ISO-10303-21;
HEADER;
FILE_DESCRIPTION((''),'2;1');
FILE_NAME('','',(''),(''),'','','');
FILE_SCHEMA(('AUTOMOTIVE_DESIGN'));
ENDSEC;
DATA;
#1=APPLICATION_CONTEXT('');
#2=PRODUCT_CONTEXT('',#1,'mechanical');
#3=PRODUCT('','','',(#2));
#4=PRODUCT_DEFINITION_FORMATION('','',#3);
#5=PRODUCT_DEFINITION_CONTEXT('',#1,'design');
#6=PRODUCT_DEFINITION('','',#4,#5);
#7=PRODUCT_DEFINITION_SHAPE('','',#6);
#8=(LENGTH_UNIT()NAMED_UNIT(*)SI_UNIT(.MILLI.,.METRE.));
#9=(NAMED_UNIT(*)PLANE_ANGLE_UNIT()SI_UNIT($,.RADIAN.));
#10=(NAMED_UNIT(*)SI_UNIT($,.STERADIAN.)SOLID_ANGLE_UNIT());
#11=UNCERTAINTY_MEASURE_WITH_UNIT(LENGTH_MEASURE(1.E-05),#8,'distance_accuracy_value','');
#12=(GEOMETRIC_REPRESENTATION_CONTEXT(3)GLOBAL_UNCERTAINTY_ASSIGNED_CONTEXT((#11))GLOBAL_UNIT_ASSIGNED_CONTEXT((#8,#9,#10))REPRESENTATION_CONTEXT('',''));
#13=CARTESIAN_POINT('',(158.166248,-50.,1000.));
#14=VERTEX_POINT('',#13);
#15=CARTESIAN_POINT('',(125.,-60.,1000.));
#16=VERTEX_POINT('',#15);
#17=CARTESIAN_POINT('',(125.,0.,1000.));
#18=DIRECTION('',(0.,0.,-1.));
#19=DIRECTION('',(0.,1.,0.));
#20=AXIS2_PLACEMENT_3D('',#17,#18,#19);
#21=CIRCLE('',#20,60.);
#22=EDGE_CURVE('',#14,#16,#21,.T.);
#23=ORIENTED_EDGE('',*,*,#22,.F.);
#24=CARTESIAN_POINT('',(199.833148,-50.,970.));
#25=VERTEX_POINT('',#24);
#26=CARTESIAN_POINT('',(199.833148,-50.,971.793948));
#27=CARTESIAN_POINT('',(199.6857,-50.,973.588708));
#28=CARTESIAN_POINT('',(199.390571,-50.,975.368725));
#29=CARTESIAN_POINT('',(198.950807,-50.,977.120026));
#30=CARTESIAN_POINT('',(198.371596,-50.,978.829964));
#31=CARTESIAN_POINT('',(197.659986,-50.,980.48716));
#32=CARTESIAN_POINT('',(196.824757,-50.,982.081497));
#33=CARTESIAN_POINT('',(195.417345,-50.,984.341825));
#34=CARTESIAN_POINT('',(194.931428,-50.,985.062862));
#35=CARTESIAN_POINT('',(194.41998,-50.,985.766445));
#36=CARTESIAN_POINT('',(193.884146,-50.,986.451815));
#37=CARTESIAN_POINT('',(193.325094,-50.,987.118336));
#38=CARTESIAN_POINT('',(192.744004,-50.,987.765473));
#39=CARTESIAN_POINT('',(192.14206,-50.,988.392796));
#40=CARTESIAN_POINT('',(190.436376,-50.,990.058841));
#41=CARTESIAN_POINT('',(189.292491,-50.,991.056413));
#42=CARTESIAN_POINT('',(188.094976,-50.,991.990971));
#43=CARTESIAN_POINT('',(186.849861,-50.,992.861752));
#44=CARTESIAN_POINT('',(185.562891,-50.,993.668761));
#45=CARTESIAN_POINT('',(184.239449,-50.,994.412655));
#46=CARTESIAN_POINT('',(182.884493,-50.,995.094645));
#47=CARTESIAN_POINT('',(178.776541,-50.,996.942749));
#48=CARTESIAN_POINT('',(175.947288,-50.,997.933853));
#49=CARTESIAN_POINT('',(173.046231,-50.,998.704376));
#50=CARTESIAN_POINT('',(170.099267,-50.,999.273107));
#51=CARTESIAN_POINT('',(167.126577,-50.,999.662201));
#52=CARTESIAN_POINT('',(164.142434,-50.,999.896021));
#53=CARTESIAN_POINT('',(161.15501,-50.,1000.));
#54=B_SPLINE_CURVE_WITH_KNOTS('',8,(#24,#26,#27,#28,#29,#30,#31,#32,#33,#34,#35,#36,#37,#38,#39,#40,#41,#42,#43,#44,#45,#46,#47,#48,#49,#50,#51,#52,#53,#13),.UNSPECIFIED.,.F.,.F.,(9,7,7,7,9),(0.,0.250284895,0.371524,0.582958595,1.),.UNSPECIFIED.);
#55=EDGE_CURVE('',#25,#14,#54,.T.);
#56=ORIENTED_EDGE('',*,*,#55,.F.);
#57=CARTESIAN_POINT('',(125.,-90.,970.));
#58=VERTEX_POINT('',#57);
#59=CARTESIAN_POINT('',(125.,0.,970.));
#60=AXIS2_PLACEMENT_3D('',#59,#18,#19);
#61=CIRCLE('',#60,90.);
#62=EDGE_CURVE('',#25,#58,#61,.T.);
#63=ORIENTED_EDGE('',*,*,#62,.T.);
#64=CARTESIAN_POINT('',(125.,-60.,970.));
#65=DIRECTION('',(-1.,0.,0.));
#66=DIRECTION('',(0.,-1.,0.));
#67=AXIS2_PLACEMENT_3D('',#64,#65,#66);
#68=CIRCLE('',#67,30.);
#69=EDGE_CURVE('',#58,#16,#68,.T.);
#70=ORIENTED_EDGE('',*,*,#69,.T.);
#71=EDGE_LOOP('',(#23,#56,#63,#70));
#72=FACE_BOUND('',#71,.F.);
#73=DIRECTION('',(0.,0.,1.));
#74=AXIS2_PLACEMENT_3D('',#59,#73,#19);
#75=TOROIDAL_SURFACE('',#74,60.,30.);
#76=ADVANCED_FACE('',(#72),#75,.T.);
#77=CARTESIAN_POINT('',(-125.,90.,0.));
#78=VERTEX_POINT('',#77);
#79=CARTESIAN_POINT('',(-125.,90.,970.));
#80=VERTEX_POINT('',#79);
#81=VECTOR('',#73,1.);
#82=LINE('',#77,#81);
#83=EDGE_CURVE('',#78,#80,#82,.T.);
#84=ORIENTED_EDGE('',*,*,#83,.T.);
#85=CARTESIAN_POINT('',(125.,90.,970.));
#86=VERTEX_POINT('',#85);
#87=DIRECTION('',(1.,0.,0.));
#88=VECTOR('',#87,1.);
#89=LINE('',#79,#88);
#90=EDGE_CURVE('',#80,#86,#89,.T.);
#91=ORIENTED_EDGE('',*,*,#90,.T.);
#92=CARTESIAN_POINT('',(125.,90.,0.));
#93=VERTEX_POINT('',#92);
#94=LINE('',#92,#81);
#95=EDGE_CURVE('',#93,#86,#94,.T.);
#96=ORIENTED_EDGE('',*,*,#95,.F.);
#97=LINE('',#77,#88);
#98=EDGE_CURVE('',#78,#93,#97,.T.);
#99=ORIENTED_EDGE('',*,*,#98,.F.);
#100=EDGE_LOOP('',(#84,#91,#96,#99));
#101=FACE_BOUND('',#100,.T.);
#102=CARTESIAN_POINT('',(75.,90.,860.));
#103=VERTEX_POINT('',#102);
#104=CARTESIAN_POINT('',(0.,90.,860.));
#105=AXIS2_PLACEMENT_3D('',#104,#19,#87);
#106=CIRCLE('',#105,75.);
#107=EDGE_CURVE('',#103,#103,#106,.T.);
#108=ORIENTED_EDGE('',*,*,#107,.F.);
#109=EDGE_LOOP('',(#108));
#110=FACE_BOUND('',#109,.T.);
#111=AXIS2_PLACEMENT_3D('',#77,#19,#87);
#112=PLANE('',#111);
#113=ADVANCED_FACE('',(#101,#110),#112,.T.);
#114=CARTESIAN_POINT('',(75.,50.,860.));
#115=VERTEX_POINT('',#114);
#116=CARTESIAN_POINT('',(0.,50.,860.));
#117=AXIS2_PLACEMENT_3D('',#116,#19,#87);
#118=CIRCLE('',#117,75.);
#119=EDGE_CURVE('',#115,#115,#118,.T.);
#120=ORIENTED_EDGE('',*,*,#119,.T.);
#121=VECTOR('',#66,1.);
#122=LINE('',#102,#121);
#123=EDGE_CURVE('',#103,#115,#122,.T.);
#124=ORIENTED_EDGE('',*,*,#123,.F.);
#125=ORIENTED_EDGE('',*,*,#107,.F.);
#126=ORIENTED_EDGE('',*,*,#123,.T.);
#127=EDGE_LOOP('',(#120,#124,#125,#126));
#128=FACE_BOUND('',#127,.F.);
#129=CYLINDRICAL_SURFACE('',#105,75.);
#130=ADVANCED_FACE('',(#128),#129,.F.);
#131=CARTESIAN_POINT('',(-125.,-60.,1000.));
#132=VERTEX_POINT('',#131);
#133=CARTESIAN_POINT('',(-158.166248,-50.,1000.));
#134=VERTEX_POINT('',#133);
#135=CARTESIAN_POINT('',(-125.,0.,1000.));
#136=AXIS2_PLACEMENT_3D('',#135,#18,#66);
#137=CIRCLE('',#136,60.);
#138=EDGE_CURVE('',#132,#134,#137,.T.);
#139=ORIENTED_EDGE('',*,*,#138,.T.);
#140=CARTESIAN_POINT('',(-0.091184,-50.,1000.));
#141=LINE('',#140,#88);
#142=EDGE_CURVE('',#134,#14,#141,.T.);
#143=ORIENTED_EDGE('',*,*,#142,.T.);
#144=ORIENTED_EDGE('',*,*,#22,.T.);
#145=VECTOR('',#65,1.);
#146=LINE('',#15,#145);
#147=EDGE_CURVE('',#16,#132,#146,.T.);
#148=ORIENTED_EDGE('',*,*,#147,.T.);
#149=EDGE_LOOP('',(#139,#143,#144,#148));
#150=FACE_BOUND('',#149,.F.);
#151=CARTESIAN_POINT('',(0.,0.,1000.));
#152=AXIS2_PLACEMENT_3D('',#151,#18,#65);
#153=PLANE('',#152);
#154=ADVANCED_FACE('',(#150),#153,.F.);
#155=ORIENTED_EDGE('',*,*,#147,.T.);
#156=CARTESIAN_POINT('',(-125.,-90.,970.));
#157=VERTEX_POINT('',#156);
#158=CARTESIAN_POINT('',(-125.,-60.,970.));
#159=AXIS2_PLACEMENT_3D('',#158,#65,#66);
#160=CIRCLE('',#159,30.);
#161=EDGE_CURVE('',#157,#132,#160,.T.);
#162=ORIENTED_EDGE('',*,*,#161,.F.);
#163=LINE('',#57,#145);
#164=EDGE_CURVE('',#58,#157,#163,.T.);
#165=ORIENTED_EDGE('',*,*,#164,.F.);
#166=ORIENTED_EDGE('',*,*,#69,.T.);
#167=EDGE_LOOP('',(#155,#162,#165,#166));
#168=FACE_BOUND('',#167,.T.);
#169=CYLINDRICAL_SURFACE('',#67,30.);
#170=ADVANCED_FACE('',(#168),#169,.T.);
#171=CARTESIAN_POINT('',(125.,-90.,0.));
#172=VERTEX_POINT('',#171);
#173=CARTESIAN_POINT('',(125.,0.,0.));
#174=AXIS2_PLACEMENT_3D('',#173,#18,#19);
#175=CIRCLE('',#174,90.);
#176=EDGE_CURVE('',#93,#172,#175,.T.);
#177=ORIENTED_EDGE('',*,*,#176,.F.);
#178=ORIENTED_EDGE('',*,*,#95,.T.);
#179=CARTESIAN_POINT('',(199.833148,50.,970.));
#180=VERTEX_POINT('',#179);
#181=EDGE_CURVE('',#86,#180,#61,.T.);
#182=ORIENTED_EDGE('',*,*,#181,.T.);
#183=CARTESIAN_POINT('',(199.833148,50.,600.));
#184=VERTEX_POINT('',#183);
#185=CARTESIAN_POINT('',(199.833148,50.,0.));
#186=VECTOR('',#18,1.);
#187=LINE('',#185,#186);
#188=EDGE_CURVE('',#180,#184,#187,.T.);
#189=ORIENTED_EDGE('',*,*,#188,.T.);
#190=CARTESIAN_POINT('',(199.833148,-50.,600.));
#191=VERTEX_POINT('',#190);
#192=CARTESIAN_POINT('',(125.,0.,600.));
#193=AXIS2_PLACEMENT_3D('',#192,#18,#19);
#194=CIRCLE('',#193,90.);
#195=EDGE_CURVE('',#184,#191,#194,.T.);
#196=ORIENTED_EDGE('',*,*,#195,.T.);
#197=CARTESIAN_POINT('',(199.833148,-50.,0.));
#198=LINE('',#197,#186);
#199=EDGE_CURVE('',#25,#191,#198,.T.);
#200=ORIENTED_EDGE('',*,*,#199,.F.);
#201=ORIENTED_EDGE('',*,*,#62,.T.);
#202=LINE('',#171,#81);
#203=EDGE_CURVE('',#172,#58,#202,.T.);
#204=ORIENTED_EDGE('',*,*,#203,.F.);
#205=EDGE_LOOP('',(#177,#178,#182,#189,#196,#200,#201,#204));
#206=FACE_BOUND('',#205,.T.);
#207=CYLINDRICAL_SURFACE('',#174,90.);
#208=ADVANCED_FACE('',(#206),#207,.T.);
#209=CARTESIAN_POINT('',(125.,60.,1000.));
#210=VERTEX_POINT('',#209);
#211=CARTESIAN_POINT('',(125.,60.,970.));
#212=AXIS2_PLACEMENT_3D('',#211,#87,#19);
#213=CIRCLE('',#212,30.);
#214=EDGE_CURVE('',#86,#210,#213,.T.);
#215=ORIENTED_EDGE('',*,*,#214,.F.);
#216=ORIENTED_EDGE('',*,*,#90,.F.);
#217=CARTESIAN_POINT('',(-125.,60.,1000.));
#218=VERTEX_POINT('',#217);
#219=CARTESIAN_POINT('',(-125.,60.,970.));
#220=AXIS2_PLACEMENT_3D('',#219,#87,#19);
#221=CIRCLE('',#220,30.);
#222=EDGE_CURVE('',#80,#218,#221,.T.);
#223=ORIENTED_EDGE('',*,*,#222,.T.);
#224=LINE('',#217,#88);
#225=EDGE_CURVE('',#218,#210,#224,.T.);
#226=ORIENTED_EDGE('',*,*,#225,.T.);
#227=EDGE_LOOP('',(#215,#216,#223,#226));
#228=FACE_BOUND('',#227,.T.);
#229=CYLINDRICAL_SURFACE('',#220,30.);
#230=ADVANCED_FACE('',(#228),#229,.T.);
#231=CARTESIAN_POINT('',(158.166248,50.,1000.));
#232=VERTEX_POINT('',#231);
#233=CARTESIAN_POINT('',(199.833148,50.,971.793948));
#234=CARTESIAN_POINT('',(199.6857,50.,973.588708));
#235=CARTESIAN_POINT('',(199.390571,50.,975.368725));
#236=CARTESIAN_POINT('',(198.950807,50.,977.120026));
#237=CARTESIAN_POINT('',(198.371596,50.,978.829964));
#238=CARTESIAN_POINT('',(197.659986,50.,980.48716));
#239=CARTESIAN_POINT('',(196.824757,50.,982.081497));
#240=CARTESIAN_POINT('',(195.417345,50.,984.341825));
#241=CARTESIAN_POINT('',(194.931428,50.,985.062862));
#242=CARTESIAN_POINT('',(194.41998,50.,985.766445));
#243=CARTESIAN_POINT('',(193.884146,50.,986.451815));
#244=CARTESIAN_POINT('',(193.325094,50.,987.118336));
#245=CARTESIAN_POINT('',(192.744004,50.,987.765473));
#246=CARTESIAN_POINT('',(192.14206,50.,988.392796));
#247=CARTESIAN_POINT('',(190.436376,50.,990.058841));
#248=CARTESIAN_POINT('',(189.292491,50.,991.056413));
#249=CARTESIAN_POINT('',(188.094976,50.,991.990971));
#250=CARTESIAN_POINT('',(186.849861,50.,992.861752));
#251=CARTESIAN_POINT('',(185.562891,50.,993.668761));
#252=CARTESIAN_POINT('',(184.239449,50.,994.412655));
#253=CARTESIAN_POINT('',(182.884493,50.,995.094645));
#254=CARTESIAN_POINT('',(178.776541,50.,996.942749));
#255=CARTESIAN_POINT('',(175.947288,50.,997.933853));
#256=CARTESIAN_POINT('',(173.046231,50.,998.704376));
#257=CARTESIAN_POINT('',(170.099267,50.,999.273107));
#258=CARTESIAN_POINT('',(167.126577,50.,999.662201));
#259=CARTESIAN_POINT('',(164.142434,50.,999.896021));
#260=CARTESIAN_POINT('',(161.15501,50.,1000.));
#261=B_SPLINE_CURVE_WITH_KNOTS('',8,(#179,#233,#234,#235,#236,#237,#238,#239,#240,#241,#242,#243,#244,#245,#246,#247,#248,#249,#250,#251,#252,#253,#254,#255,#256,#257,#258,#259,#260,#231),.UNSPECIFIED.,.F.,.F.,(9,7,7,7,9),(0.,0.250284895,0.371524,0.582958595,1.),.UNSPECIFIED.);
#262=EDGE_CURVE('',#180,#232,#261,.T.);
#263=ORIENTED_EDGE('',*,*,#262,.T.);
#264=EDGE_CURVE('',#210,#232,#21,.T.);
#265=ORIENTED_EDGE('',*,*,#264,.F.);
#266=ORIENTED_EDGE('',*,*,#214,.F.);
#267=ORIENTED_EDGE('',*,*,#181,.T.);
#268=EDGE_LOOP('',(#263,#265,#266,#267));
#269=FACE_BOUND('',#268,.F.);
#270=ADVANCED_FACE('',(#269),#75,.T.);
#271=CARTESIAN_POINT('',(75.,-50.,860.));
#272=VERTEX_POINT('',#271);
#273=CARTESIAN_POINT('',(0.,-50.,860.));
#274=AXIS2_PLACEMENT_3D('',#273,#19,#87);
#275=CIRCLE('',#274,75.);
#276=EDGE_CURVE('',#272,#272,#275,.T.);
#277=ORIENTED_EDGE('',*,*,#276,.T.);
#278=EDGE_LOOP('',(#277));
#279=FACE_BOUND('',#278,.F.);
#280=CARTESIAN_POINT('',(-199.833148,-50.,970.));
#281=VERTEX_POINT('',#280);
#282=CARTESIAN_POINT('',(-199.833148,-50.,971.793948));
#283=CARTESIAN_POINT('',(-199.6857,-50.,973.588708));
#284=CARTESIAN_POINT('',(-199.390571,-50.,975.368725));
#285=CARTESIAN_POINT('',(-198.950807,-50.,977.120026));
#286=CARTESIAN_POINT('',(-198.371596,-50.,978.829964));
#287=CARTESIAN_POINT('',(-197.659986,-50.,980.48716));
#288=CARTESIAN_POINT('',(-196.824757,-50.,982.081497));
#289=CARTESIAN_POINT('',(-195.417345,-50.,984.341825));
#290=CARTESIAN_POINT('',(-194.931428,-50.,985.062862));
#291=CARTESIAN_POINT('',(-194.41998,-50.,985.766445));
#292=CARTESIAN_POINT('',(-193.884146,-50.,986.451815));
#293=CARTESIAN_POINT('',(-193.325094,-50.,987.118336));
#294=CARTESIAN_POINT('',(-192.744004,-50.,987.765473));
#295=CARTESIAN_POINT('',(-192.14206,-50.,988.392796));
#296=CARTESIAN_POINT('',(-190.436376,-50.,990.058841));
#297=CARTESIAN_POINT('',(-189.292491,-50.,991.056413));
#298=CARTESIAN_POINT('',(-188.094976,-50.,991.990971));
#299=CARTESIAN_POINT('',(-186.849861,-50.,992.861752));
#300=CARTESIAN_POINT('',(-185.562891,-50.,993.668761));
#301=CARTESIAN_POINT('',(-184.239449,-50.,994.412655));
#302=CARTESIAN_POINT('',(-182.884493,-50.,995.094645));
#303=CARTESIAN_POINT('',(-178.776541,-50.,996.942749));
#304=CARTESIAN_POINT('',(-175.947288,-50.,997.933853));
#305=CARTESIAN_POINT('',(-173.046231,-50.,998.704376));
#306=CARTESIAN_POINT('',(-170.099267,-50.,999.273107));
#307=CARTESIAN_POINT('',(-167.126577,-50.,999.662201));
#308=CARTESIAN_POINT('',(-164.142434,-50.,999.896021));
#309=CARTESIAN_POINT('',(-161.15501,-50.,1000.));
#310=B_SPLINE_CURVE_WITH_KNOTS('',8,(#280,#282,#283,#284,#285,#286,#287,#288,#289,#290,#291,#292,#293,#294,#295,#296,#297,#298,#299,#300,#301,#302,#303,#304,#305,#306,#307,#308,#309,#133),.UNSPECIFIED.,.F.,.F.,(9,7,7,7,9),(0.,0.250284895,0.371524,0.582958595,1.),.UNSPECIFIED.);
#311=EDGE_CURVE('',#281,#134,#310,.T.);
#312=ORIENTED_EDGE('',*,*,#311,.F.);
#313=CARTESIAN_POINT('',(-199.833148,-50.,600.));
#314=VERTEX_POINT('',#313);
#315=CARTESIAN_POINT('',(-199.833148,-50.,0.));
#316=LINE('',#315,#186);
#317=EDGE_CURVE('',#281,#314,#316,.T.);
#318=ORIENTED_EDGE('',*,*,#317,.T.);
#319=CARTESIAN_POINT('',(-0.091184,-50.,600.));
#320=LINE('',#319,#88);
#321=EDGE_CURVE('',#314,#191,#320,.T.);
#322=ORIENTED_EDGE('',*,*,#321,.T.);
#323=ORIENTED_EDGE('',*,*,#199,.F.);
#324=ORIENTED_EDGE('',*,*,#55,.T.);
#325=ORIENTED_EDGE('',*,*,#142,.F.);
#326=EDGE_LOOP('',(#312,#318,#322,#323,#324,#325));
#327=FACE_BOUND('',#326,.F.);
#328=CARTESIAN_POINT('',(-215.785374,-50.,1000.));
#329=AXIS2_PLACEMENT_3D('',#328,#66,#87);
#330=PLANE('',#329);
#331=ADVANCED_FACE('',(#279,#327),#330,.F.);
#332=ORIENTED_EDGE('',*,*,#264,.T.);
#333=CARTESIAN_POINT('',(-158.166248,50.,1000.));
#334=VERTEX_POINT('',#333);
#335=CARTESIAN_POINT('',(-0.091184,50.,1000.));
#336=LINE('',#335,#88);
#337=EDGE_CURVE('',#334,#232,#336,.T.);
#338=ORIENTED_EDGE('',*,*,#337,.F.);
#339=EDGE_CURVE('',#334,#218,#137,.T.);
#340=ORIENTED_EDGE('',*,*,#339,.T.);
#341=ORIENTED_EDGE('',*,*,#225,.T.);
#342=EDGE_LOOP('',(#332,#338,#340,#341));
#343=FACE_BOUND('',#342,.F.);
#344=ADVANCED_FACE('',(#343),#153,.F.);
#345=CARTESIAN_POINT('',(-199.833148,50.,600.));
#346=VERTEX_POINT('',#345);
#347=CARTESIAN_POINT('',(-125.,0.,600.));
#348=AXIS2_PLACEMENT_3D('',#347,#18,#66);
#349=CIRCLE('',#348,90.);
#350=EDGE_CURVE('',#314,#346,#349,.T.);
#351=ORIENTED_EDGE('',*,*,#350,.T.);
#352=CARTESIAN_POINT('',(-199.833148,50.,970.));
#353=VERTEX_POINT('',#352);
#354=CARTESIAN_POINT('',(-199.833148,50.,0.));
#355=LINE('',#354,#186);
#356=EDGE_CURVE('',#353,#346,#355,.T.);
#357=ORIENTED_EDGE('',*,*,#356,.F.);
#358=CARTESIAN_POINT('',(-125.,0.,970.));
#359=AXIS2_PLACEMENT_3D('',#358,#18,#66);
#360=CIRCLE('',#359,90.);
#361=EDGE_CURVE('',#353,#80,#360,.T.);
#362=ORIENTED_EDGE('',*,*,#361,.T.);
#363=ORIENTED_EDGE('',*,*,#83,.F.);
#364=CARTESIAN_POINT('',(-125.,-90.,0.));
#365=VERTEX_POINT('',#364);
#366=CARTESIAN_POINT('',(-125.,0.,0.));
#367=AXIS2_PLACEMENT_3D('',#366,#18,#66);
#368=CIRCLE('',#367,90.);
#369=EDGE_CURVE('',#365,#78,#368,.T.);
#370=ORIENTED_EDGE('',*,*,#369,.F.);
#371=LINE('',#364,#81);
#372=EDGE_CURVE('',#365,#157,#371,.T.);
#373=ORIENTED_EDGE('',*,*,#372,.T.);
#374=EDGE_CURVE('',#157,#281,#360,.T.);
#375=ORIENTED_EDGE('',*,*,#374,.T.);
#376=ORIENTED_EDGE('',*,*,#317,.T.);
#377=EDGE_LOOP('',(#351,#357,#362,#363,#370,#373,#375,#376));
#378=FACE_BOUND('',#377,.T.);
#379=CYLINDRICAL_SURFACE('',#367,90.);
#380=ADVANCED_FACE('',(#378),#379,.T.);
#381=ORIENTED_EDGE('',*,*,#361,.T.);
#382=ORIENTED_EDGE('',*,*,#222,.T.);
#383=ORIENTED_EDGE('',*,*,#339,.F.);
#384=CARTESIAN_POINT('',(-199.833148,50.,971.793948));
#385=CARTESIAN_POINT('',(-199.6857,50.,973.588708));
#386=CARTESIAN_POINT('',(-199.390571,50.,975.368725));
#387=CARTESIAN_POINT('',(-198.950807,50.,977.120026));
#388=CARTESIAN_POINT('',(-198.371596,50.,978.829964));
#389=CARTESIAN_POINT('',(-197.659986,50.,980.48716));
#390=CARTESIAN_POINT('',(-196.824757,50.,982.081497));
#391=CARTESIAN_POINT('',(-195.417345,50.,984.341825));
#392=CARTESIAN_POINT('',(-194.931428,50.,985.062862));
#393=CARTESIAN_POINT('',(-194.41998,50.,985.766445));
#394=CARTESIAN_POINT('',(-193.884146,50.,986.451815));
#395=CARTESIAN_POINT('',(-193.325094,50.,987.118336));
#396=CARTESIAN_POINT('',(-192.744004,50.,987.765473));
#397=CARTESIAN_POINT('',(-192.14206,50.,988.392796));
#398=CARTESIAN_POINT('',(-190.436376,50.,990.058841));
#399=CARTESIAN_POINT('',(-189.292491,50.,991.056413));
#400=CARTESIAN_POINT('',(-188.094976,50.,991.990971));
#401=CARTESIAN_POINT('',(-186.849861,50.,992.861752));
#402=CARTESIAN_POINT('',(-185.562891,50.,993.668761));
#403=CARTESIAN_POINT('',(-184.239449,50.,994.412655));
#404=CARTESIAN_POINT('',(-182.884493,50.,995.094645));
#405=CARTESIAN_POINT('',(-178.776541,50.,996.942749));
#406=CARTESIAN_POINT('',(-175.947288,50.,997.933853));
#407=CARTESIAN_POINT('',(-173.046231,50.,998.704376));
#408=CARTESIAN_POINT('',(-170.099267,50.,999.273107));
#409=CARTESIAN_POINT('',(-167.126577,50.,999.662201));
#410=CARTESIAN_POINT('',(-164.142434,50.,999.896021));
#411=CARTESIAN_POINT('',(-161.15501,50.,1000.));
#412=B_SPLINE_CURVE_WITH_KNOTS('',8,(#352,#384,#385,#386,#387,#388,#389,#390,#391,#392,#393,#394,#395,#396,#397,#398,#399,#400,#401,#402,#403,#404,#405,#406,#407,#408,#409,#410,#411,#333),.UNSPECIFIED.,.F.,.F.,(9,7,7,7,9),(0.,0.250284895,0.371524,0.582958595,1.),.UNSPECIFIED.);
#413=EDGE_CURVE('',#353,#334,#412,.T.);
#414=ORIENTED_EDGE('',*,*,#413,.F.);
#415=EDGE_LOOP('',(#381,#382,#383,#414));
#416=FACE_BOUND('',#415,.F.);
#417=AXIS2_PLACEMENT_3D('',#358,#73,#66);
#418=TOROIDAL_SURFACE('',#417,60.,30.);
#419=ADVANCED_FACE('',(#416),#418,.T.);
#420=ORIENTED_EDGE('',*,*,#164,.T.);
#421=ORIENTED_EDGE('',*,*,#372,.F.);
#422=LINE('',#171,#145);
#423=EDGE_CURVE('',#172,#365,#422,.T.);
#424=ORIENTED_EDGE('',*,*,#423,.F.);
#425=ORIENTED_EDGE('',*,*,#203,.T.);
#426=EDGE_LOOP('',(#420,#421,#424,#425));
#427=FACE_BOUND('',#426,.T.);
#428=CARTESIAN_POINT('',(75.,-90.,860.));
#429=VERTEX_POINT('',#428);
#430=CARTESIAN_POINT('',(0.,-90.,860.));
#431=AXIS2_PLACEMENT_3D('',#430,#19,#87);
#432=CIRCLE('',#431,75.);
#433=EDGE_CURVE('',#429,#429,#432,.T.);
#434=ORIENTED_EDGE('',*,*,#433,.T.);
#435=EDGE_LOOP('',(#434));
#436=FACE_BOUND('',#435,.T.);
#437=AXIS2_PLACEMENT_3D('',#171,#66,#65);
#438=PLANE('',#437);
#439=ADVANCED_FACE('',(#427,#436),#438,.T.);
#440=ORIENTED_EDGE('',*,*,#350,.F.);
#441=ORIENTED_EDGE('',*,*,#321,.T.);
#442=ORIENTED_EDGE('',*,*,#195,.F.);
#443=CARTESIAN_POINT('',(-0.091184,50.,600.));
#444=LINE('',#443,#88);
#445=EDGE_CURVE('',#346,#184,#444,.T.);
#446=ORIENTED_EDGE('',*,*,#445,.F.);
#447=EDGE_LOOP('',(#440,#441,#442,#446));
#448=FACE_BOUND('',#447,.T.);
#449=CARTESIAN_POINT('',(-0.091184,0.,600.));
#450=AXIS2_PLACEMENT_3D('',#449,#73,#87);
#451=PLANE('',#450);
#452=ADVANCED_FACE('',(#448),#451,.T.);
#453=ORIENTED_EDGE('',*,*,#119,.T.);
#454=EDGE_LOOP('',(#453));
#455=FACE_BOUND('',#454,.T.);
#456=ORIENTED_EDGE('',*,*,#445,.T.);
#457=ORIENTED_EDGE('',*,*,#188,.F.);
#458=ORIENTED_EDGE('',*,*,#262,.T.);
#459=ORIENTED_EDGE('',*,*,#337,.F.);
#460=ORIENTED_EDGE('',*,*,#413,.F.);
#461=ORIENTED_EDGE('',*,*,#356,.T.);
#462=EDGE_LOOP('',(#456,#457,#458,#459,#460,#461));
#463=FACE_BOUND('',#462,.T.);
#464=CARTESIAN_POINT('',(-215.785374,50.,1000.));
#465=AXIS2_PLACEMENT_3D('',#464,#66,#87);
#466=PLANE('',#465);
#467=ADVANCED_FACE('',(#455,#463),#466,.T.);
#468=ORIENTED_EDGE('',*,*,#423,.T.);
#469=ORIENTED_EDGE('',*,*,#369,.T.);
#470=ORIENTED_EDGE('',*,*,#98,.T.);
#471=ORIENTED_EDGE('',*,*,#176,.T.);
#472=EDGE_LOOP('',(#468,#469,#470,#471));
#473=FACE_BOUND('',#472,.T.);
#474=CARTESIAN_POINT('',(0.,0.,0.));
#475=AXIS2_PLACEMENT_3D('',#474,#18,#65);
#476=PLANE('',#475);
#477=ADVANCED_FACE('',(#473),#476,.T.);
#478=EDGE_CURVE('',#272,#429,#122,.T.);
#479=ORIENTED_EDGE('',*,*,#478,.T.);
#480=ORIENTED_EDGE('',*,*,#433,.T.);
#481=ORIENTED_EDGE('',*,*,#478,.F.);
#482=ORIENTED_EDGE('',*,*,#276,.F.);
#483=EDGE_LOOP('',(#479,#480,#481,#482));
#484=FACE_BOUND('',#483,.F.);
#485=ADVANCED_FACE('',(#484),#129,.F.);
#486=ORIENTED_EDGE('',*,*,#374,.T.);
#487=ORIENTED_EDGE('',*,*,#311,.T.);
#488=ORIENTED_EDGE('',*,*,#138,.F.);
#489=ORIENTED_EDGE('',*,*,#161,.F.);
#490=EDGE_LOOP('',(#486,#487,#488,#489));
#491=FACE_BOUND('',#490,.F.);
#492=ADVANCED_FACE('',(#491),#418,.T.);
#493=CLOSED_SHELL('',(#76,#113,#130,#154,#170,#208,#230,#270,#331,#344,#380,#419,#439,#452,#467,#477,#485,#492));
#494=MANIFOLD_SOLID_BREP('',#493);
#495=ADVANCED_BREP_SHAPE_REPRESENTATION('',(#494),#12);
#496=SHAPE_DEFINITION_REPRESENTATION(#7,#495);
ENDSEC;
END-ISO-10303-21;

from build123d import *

# Parameters (mm, degrees)
BOSS_EXTRUDE1_DEPTH = 1000
FILLET1_R           = 30
SKETCH2_W           = 431.388380784
SKETCH2_H           = 100
CUT_EXTRUDE1_DEPTH  = 400
SKETCH3_R           = 75
CUT_EXTRUDE2_DEPTH  = 181.0000001


with BuildPart() as part:
    # Sketch1 → Boss-Extrude1 (new body)
    with BuildSketch(Plane.XY):
        with BuildLine():
            Line((-125, 90), (125, 90))
            ThreePointArc((125, 90), (215, 0), (125, -90))
            Line((125, -90), (-125, -90))
            ThreePointArc((-125, -90), (-215, 0), (-125, 90))
        make_face()
    extrude(amount=BOSS_EXTRUDE1_DEPTH)

    # Fillet1
    fillet1_edges = [part.edges().sort_by_distance(p)[0] for p in [
        (215, 0, 1000),
        (0, 90, 1000),
        (-215, 0, 1000),
        (0, -90, 1000),
    ]]
    fillet(fillet1_edges, radius=FILLET1_R)

    # Sketch2 → Cut-Extrude1 (cut)
    with BuildSketch(Plane.XY.offset(1000)):
        with Locations((-0.091183766, 0)):
            Rectangle(SKETCH2_W, SKETCH2_H)
    extrude(amount=-CUT_EXTRUDE1_DEPTH, mode=Mode.SUBTRACT)

    # Sketch3 → Cut-Extrude2 (cut, through all)
    with BuildSketch(Plane(origin=(0, 90, 0), x_dir=(1, 0, 0), z_dir=(0, 1, 0))):
        with Locations((0, -860)):
            Circle(SKETCH3_R)
    extrude(amount=-CUT_EXTRUDE2_DEPTH, mode=Mode.SUBTRACT)


solid = part.part
